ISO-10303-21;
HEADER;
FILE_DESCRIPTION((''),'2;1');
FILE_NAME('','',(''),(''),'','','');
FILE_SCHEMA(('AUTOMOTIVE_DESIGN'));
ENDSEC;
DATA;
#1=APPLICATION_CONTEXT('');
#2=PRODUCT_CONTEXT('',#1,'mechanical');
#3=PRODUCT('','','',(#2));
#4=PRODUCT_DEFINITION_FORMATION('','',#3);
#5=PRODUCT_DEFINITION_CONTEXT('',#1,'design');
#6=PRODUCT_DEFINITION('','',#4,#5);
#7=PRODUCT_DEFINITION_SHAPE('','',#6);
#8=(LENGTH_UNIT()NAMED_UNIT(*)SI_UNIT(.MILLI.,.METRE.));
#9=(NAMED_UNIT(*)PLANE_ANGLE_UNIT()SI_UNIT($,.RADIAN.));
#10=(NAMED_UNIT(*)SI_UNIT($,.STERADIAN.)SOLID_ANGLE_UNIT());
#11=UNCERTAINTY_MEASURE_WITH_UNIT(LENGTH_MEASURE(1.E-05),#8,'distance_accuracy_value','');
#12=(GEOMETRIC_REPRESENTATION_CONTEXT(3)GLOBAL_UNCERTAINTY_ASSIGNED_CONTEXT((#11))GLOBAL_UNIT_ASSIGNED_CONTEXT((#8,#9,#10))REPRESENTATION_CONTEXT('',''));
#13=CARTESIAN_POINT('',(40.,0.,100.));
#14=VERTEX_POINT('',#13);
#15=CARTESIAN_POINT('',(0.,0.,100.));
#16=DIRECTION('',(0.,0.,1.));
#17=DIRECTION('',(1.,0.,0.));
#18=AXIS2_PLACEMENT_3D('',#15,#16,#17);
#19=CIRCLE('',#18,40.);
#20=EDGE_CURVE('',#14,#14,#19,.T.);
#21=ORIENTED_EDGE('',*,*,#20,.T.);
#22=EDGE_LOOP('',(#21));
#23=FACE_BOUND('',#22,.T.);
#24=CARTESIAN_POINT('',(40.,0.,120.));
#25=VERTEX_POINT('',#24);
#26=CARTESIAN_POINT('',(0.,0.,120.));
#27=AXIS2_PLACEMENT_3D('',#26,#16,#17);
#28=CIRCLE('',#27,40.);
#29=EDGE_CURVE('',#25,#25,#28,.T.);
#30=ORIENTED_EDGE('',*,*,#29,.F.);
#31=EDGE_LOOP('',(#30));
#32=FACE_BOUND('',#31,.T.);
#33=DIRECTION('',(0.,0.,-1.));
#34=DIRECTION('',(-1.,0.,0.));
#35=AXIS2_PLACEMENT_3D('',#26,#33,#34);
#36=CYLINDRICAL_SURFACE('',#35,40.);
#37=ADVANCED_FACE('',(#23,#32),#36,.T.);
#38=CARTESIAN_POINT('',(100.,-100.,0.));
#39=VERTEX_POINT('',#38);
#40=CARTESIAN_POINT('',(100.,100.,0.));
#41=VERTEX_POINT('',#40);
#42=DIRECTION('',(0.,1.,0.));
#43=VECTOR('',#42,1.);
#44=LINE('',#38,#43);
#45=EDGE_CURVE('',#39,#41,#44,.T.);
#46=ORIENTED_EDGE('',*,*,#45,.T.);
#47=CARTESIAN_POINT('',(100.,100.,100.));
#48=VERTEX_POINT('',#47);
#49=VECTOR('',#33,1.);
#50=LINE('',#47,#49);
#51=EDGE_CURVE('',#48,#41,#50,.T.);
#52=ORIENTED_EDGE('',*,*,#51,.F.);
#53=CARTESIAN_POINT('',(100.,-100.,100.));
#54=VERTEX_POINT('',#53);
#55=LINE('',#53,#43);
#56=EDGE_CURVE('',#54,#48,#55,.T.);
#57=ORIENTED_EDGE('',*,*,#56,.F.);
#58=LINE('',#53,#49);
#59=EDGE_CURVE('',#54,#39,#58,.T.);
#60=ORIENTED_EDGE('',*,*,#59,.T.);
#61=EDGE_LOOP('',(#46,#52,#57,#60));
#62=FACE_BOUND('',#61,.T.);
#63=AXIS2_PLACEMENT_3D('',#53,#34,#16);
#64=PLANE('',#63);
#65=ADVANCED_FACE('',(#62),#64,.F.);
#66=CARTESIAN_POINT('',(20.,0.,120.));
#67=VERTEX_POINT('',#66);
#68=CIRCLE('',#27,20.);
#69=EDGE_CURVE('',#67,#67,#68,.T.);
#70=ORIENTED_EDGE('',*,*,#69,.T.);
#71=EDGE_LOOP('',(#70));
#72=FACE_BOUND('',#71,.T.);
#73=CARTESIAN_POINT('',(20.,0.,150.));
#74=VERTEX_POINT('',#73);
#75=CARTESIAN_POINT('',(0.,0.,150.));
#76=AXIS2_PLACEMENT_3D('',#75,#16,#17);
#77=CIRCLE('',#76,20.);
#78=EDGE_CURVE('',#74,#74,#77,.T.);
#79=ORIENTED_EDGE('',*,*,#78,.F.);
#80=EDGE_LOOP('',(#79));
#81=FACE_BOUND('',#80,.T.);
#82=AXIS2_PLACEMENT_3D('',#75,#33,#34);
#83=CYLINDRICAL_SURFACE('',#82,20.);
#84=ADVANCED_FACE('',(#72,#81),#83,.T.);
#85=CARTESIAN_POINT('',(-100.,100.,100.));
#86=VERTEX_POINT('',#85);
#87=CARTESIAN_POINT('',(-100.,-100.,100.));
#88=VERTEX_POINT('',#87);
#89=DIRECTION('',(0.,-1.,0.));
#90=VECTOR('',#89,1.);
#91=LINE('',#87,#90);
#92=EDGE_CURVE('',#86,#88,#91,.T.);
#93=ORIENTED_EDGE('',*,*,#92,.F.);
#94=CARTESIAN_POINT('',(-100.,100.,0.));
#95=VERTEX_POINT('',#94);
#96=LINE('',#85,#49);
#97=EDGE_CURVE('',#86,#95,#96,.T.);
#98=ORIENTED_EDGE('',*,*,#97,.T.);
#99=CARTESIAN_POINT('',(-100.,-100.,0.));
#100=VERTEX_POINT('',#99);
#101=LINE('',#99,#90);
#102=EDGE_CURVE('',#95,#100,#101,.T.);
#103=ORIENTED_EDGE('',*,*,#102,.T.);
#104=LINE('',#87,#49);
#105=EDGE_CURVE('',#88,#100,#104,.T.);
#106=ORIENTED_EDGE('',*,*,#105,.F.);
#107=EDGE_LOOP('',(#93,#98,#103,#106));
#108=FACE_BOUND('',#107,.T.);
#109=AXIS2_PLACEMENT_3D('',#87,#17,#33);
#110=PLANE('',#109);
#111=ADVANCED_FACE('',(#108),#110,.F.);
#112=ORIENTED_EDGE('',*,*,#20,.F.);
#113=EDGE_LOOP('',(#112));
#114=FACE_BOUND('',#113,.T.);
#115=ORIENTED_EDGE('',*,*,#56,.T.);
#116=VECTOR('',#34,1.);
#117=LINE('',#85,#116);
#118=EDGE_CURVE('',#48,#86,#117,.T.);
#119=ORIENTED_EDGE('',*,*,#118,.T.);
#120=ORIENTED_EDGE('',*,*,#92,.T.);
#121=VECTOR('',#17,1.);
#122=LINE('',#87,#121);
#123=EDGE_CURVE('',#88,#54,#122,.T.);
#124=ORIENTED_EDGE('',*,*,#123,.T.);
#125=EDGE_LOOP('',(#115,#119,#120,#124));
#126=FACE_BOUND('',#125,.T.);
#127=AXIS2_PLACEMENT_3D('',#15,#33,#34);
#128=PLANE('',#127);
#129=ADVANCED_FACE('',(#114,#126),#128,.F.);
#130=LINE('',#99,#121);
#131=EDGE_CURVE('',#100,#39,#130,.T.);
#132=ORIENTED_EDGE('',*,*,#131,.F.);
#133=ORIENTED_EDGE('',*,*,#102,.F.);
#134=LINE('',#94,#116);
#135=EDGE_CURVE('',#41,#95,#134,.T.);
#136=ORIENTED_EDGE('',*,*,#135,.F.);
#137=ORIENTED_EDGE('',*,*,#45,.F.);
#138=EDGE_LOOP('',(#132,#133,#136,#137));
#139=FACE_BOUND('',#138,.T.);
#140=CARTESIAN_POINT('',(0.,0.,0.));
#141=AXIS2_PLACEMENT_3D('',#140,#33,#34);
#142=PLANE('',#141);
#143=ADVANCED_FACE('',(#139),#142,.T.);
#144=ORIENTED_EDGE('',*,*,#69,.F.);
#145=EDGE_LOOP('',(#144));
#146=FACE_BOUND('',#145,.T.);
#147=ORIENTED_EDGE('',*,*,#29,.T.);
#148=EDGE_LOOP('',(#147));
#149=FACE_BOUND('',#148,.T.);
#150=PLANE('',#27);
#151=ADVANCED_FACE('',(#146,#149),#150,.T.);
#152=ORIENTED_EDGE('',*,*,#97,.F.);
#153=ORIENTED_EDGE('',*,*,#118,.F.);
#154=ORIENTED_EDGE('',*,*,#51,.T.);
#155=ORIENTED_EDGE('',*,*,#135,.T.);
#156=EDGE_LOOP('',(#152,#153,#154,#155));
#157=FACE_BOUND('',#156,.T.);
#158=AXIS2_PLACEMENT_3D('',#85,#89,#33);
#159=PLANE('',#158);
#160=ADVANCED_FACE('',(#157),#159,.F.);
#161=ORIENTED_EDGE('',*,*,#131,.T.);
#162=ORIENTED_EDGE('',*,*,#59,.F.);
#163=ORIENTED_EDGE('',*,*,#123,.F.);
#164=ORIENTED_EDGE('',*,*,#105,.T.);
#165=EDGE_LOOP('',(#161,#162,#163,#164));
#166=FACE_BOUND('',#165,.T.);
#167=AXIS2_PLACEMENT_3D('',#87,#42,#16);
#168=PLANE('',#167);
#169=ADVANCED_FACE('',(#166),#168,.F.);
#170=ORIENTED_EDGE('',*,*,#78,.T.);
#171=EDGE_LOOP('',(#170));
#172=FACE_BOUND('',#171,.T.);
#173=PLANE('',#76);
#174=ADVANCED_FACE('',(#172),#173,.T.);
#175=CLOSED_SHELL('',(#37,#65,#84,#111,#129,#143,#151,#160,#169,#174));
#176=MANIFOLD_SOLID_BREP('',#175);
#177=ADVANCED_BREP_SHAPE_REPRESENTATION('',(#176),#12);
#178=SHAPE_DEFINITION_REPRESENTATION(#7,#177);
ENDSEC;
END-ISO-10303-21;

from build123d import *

# Parameters (mm, degrees)
SKETCH1_W           = 200
SKETCH1_H           = 200
BOSS_EXTRUDE1_DEPTH = 100
SKETCH2_R           = 40
BOSS_EXTRUDE2_DEPTH = 20
SKETCH3_R           = 20
BOSS_EXTRUDE3_DEPTH = 30


with BuildPart() as part:
    # Sketch1 → Boss-Extrude1 (new body)
    with BuildSketch(Plane.XY):
        Rectangle(SKETCH1_W, SKETCH1_H)
    extrude(amount=BOSS_EXTRUDE1_DEPTH)

    # Sketch2 → Boss-Extrude2 (add)
    with BuildSketch(Plane.XY.offset(100)):
        Circle(SKETCH2_R)
    extrude(amount=BOSS_EXTRUDE2_DEPTH)

    # Sketch3 → Boss-Extrude3 (add)
    with BuildSketch(Plane.XY.offset(120)):
        Circle(SKETCH3_R)
    extrude(amount=BOSS_EXTRUDE3_DEPTH)


solid = part.part
